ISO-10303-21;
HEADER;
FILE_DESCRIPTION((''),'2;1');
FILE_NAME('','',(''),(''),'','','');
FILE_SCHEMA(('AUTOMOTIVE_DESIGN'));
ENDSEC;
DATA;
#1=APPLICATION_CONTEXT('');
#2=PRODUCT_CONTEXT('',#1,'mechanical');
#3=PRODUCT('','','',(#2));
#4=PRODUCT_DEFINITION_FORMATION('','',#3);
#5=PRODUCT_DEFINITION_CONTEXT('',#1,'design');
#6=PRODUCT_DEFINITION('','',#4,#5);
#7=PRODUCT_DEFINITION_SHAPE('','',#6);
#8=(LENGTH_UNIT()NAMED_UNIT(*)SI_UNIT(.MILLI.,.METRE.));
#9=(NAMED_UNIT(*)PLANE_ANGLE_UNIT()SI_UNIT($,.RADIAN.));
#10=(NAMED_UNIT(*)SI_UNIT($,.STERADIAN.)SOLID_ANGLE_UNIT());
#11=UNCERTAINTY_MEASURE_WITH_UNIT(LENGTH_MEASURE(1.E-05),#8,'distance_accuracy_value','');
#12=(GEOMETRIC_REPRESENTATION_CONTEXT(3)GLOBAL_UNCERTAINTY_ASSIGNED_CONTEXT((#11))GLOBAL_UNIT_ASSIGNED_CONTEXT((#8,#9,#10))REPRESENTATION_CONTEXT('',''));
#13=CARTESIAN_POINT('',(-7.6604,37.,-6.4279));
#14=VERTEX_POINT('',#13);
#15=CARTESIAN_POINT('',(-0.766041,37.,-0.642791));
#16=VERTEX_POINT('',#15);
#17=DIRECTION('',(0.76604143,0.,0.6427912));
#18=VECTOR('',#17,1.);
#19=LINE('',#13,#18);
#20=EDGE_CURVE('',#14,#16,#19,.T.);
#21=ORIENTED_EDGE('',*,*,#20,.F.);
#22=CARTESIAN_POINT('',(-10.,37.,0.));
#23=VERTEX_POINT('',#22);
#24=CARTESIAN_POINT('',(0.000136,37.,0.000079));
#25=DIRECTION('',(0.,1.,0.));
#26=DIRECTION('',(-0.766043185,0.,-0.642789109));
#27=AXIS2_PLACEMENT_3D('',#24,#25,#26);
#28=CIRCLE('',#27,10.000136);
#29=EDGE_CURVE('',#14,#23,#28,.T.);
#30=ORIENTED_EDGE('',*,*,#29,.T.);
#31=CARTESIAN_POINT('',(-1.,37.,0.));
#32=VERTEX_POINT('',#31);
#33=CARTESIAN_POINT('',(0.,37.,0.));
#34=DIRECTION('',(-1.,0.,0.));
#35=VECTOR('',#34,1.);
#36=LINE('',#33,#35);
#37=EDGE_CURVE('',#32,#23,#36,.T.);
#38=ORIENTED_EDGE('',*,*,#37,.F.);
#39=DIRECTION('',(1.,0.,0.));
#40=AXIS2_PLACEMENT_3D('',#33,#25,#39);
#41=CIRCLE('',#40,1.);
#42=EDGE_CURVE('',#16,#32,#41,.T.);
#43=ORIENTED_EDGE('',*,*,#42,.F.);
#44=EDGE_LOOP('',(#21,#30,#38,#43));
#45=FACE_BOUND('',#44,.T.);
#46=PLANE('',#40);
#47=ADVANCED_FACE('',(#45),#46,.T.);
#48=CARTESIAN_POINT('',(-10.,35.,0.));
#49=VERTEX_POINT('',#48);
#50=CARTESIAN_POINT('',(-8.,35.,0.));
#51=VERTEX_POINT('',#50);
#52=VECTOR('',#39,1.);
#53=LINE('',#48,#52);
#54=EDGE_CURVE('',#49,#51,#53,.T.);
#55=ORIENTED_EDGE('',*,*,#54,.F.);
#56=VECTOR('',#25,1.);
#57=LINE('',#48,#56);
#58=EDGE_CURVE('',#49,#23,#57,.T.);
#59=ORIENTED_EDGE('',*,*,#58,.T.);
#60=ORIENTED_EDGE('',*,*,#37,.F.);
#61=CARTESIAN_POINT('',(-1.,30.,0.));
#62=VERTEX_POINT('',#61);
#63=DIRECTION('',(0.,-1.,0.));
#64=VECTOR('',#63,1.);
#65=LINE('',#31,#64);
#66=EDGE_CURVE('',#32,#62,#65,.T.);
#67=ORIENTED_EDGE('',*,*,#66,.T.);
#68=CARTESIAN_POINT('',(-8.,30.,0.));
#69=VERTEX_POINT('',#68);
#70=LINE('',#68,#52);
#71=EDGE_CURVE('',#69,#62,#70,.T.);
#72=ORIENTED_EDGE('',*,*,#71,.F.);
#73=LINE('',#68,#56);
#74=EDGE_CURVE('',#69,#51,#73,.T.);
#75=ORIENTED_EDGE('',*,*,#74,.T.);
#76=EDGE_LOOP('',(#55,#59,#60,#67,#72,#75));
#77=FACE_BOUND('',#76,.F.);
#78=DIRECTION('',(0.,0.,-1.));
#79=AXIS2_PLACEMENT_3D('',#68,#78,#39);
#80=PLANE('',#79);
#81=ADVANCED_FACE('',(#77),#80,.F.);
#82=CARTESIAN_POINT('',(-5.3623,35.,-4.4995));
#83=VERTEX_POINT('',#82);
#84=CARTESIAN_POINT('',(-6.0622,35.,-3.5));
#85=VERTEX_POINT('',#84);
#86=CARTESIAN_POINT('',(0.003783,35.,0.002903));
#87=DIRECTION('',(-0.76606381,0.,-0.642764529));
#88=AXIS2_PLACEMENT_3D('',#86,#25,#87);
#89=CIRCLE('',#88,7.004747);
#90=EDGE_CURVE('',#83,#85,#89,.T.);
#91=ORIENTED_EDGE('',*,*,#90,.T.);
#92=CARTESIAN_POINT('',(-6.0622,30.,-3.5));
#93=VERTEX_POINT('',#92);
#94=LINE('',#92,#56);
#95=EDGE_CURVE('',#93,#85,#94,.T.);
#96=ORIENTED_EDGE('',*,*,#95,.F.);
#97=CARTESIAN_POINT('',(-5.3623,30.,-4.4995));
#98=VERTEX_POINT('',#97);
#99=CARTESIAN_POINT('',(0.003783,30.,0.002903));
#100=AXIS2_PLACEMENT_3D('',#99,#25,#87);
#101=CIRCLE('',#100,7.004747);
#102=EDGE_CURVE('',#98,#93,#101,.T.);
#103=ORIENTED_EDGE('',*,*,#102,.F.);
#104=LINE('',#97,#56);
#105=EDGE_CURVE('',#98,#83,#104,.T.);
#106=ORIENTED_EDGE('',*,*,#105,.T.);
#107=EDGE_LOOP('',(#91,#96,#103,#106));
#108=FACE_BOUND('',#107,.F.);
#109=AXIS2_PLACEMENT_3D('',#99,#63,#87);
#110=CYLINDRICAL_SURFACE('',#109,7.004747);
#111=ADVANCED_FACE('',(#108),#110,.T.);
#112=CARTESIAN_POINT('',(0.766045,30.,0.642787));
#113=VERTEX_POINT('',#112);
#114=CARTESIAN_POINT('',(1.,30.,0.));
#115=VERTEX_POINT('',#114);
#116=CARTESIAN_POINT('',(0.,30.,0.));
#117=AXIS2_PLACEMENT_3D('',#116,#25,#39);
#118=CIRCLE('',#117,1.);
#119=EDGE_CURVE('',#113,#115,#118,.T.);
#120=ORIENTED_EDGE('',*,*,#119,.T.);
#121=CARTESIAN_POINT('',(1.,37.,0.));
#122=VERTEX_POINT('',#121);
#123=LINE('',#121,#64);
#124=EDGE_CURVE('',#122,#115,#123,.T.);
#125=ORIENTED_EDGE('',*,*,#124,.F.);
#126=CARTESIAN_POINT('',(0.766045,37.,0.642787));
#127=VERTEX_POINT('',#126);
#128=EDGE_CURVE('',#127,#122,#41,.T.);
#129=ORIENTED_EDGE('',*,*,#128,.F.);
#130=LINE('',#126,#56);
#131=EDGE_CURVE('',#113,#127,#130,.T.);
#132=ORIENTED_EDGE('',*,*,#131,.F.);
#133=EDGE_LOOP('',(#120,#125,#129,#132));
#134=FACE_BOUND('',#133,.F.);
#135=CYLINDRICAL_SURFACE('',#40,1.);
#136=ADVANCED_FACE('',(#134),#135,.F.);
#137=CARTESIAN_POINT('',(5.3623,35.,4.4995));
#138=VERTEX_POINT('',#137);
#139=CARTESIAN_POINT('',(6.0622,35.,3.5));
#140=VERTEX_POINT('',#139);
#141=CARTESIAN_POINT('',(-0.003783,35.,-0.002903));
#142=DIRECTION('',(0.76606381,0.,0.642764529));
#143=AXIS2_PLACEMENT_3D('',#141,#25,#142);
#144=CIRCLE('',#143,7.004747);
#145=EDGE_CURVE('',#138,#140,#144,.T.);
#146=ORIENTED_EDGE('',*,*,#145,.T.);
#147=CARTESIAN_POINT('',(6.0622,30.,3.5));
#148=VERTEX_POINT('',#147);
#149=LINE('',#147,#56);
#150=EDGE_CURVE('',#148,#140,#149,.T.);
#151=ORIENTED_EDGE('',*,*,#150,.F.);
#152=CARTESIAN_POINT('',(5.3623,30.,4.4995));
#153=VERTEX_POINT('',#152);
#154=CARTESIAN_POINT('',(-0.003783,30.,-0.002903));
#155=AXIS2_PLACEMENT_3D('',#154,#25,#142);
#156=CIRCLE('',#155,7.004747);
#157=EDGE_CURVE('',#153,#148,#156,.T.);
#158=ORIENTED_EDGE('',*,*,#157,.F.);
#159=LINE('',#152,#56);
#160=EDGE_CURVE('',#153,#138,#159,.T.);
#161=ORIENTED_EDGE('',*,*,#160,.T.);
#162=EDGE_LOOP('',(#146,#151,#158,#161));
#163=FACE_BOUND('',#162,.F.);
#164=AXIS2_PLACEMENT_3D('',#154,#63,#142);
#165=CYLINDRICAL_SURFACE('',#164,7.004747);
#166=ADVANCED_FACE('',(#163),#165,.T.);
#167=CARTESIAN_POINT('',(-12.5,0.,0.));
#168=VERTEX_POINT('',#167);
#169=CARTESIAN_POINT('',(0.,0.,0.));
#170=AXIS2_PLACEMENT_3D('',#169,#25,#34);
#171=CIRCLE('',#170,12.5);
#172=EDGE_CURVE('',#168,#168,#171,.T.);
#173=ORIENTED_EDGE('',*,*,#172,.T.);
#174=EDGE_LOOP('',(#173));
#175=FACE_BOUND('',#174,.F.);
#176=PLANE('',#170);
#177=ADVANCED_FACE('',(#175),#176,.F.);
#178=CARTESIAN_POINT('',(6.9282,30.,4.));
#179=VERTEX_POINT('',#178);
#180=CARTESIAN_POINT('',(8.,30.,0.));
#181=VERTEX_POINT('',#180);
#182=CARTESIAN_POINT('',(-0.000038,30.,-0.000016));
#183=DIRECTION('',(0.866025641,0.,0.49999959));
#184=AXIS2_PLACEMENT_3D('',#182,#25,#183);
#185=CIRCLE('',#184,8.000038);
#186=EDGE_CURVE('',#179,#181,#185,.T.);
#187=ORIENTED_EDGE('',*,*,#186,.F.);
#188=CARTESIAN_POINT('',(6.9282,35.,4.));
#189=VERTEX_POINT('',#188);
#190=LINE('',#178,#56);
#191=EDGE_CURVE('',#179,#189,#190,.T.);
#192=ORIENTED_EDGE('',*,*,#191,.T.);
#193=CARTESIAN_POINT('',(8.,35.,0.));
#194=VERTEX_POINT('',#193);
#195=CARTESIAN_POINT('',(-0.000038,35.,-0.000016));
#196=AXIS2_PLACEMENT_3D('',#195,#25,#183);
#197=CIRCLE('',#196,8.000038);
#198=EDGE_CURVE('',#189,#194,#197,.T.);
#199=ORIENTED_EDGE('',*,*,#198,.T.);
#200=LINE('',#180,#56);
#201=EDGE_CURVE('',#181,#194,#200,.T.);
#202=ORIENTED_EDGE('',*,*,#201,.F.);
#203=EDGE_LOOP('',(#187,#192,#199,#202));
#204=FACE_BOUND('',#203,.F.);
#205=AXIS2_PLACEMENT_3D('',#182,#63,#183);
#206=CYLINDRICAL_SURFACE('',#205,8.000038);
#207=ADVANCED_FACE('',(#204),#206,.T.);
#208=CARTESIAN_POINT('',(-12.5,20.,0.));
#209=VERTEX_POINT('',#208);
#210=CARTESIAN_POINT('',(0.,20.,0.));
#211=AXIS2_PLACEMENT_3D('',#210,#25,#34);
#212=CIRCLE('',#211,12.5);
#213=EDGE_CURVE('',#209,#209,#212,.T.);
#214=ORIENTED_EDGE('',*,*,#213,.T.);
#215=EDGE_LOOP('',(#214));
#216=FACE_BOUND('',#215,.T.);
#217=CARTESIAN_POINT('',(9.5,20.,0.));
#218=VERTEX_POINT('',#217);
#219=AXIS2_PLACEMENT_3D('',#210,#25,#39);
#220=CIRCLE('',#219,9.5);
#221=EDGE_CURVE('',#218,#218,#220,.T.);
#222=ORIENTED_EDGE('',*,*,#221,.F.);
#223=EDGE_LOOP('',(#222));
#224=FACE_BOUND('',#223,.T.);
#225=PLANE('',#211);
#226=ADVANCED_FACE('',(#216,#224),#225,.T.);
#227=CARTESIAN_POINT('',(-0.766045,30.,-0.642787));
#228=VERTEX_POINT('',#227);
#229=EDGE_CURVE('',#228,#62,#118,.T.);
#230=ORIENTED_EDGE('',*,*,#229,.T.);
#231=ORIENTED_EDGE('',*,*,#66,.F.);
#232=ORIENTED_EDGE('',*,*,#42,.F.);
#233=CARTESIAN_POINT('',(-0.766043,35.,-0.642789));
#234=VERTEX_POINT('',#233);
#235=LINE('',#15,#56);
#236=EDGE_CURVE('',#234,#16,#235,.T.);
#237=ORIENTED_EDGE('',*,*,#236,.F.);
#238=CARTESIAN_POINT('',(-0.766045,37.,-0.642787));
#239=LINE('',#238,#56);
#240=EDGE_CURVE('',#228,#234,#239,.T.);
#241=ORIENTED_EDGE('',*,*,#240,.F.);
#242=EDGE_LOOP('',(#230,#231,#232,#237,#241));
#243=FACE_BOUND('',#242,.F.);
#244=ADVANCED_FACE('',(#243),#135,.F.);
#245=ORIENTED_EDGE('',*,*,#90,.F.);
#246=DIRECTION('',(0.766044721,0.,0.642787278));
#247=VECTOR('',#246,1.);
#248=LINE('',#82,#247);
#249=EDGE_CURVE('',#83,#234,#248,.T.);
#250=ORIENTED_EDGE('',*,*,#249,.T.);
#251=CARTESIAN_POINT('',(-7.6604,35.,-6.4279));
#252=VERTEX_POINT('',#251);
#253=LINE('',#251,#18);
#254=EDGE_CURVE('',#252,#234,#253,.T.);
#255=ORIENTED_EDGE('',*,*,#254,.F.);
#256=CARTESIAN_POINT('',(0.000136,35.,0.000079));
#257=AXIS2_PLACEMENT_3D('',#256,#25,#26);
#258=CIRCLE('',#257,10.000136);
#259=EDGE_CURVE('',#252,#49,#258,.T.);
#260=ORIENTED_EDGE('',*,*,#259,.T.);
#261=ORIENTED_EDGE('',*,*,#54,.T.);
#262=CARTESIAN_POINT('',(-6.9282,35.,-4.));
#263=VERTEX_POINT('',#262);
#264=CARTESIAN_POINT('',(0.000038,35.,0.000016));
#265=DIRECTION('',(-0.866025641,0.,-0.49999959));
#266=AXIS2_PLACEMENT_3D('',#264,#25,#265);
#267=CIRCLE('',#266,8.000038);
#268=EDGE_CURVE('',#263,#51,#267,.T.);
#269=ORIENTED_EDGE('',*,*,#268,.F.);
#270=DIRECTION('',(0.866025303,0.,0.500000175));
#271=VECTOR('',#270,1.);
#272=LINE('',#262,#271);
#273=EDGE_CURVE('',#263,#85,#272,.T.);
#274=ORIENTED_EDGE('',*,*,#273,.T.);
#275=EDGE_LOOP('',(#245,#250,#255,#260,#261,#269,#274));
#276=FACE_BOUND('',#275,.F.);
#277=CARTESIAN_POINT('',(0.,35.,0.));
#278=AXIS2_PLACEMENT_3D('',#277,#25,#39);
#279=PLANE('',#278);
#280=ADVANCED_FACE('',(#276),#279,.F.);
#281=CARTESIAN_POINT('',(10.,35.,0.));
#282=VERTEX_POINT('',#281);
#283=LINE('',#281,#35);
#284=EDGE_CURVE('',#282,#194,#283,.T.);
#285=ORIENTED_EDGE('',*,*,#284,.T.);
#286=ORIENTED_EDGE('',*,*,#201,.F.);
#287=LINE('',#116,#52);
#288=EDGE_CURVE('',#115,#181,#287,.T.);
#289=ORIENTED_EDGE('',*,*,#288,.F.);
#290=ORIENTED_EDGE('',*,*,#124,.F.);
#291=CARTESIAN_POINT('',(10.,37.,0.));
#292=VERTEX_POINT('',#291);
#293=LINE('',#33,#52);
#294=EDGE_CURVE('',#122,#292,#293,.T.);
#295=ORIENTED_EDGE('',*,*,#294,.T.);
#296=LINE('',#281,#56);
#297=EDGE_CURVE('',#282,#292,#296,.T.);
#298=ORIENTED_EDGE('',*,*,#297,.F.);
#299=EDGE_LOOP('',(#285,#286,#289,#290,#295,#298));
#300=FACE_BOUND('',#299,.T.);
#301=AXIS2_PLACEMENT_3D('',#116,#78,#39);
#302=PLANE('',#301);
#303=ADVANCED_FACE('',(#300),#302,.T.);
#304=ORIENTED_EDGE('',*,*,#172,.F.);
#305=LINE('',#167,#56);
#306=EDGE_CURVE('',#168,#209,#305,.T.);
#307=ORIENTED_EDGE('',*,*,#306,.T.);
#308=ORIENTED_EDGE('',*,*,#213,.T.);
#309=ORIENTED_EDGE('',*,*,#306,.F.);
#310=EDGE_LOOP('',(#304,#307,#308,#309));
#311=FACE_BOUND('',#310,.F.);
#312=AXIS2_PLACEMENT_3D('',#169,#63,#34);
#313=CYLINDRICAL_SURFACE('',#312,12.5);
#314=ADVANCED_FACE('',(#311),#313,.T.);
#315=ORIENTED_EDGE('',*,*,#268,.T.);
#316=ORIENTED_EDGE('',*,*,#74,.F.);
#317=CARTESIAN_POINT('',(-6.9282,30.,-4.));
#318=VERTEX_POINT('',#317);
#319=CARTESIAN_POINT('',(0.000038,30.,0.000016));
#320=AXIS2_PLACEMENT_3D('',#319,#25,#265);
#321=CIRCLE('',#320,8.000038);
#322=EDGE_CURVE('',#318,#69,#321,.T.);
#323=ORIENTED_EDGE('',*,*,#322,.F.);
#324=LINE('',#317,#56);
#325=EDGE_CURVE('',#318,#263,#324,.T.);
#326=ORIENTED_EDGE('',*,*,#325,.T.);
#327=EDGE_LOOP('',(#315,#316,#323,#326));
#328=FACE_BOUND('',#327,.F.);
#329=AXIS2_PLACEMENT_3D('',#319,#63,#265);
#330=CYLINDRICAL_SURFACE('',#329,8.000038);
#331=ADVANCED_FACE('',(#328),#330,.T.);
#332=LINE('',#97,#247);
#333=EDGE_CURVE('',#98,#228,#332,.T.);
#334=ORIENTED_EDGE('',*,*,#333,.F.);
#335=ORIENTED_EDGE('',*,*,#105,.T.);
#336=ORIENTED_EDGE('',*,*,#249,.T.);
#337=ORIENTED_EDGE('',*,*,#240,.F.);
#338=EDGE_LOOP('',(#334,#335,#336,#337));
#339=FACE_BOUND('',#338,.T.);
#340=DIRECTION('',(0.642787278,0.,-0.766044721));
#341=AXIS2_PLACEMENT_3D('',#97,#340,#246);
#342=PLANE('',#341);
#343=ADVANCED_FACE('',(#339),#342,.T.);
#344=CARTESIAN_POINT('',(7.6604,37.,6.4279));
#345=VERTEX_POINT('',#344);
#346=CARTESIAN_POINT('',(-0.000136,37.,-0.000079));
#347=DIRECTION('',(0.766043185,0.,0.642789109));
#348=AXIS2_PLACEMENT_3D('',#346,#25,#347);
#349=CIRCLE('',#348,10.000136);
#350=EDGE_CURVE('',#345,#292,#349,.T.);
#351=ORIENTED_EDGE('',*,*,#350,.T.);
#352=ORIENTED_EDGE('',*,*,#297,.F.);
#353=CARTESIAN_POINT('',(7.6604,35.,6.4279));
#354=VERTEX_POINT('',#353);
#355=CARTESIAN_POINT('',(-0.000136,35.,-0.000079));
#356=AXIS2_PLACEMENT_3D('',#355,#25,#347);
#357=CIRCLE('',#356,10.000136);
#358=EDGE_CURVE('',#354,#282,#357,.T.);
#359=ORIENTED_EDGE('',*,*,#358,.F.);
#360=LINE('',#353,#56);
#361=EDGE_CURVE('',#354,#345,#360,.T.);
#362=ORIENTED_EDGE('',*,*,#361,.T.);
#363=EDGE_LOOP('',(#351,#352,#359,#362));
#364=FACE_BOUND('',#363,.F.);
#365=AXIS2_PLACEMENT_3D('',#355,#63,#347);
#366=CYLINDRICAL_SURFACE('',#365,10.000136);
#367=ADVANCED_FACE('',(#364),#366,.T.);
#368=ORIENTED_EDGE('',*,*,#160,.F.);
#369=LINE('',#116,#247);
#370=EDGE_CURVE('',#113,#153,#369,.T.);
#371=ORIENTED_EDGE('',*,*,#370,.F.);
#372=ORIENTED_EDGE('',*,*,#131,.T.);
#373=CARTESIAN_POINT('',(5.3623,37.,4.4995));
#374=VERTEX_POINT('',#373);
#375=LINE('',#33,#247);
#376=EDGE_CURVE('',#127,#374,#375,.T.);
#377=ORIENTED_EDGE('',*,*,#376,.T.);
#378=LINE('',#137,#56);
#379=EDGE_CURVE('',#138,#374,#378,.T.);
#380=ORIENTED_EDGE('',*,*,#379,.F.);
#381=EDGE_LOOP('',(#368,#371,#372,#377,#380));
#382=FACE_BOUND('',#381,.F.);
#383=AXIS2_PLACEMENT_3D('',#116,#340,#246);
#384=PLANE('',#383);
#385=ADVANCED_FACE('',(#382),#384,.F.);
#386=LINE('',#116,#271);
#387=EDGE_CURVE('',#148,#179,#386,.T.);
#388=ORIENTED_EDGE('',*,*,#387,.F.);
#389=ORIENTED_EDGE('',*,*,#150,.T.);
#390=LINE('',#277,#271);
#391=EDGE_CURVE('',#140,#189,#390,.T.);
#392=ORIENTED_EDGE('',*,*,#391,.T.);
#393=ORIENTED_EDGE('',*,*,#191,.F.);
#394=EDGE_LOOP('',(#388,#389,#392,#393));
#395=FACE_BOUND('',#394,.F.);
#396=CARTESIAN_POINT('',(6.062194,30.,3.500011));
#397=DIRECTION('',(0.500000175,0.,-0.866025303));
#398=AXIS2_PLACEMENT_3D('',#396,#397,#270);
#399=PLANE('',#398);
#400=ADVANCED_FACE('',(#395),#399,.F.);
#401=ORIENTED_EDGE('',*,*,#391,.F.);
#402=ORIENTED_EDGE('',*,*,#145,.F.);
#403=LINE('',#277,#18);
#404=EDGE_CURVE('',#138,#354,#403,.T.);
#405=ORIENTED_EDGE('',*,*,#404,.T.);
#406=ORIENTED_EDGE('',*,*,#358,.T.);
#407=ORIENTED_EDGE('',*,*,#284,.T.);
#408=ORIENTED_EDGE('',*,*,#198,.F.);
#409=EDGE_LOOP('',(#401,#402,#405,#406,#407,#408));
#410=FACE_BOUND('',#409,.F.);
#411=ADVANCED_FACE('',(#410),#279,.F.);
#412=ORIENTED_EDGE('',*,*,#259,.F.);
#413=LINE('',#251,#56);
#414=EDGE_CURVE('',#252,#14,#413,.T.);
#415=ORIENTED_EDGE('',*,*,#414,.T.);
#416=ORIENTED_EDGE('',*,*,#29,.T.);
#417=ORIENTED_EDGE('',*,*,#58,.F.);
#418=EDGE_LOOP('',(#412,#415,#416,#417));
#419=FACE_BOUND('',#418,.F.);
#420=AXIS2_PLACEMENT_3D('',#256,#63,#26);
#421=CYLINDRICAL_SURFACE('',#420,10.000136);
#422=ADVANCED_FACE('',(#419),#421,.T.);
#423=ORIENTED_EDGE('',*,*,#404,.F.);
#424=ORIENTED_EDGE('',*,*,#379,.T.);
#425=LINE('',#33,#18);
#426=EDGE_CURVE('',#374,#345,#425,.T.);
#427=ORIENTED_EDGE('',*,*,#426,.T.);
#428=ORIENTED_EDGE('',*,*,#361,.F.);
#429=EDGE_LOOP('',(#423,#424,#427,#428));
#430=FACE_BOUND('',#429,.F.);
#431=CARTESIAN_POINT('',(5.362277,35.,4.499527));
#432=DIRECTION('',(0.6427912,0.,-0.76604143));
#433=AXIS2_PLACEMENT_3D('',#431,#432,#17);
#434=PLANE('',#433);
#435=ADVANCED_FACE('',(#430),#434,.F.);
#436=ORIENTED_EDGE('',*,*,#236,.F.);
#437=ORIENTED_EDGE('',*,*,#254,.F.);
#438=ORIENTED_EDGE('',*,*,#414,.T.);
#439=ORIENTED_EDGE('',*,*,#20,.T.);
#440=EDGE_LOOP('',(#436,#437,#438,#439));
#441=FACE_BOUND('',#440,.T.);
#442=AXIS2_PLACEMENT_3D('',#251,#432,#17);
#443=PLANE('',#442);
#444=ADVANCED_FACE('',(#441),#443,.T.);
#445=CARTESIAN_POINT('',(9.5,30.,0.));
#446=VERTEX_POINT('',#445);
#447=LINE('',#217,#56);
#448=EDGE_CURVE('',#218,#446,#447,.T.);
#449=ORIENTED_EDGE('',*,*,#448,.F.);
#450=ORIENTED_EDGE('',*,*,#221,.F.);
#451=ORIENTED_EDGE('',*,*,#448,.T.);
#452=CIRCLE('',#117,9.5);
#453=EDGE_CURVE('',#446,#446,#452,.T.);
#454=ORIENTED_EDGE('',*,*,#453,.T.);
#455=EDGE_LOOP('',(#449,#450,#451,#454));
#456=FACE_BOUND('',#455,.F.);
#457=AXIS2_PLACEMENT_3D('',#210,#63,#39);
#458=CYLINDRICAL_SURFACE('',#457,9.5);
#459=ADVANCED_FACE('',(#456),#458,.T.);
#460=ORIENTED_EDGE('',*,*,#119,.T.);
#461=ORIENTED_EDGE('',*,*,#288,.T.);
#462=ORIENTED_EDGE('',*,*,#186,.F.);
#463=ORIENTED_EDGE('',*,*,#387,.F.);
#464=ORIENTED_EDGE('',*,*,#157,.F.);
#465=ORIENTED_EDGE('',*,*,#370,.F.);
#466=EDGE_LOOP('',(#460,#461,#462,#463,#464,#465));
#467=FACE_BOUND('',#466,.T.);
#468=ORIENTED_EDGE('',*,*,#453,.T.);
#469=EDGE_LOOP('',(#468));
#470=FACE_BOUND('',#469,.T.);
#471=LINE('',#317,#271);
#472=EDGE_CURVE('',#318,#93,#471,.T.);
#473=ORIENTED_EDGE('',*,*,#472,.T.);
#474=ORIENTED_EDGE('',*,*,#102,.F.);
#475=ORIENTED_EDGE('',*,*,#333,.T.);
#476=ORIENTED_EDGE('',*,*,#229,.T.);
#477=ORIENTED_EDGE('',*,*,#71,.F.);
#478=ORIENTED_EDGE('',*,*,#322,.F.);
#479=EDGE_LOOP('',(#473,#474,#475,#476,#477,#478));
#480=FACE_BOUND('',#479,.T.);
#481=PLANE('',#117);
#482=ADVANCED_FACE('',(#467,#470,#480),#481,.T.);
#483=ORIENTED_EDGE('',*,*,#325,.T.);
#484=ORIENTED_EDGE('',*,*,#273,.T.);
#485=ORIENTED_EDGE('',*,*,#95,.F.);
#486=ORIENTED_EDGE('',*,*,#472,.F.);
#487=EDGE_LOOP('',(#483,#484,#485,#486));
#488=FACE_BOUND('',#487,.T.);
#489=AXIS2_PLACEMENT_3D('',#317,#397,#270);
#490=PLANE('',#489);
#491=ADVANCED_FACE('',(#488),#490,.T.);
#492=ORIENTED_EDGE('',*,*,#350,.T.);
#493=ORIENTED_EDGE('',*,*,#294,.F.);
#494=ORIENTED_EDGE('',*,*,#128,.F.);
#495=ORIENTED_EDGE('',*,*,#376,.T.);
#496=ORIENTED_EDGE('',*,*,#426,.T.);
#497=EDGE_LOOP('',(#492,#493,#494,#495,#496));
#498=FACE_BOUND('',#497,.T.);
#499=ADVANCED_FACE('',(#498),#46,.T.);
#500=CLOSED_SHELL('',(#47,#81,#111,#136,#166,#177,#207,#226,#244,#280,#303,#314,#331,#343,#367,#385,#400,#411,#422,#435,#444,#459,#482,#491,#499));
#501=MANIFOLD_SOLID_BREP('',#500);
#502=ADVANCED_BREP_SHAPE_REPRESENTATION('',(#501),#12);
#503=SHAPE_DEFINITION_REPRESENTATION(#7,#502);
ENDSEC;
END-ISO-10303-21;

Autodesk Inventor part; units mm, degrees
ref_plane "YZ Plane" through (0, 0, 0) normal (1, 0, 0) x (0, 1, 0)
ref_plane "XZ Plane" through (0, 0, 0) normal (0, 1, 0) x (-1, 0, 0)
ref_plane "XY Plane" through (0, 0, 0) normal (0, 0, 1) x (1, 0, 0)
sketch "スケッチ1" plane through (0, 0, 0) normal (0, 1, 0) x (-1, 0, 0)
  circle A0 centre (0, 0) radius 12.5
  dimension "d0" = 25
extrude "押し出し1" add sketch "スケッチ1" along normal blind 20
sketch "スケッチ2" plane through (0, 20, 0) normal (0, 1, 0) x (1, 0, 0)
  circle A0 centre (0, 0) radius 9.5
  dimension "d3" = 19
extrude "押し出し2" add sketch "スケッチ2" along normal blind 10
sketch "スケッチ3" plane through (0, 30, 0) normal (0, 1, 0) x (1, 0, 0)
  arc A0 (-6.9282, 4) -> (-8, 0) centre (0, 0) ccw
  line L0 (0, 0) -> (-6.9282, 4) construction
  line L1 (0, 0) -> (-8, 0) construction
  circle A1 centre (0, 0) radius 9.5 projected
  arc A2 (-5.3623, 4.4995) -> (-6.0622, 3.5) centre (0, 0) ccw
  line L2 (0, 0) -> (-5.3623, 4.4995) construction
  line L3 (0, 0) -> (-6.0622, 3.5) construction
  arc A3 (6.9282, -4) -> (8, 0) centre (0, 0) ccw
  line L4 (0, 0) -> (6.9282, -4) construction
  line L5 (0, 0) -> (8, 0) construction
  arc A4 (5.3623, -4.4995) -> (6.0622, -3.5) centre (0, 0) ccw
  line L6 (0, 0) -> (5.3623, -4.4995) construction
  line L7 (0, 0) -> (6.0622, -3.5) construction
  line L8 (-5.3623, 4.4995) -> (0, 0)
  line L9 (-6.9282, 4) -> (0, 0)
  line L10 (-8, 0) -> (0, 0)
  line L11 (0, 0) -> (8, 0)
  line L12 (0, 0) -> (6.9282, -4)
  line L13 (0, 0) -> (5.3623, -4.4995)
  point P0 (-6.0622, 3.5)
  point P1 (6.0622, -3.5)
  dimension "d6" = 8
  dimension "d7" = 30
  dimension "d8" = 7
  dimension "d9" = 10
  dimension "d10" = 8
  dimension "d11" = 30
  dimension "d12" = 7
  dimension "d13" = 10
extrude "押し出し3" add sketch "スケッチ3" along normal blind 5 contours L9 L10 A0 | L11 A3 L12 | L12 A4 L13 | A2 L8 L9
sketch "スケッチ4" plane through (0, 35, 0) normal (0, 1, 0) x (1, 0, 0)
  line L0 (8, 0) -> (0, 0) projected
  arc A0 (-7.6604, 6.4279) -> (-10, 0) centre (0, 0) ccw
  line L1 (0, 0) -> (-7.6604, 6.4279) construction
  line L2 (0, 0) -> (-10, 0) construction
  line L3 (0, 0) -> (5.3623, -4.4995) projected
  arc A1 (7.6604, -6.4279) -> (10, 0) centre (0, 0) ccw
  line L4 (0, 0) -> (7.6604, -6.4279) construction
  line L5 (0, 0) -> (10, 0) construction
  line L6 (-7.6604, 6.4279) -> (0, 0)
  line L7 (0, 0) -> (-10, 0)
  line L8 (0, 0) -> (-10, 0)
  line L9 (0, 0) -> (10, 0)
  line L10 (-8, 0) -> (0, 0) projected
  line L11 (0, 0) -> (7.6604, -6.4279)
  dimension "d16" = 10
  dimension "d17" = 40
  dimension "d18" = 10
  dimension "d19" = 40
extrude "押し出し4" add sketch "スケッチ4" along normal blind 2
sketch "スケッチ5" plane through (0, 37, 0) normal (0, 1, 0) x (1, 0, 0)
  line L0 (0, 0) -> (-8, 0) projected
  circle A0 centre (0, 0) radius 1
  dimension "d22" = 2
extrude "押し出し5" cut sketch "スケッチ5" against normal blind 7
properties part number "kumi3"
